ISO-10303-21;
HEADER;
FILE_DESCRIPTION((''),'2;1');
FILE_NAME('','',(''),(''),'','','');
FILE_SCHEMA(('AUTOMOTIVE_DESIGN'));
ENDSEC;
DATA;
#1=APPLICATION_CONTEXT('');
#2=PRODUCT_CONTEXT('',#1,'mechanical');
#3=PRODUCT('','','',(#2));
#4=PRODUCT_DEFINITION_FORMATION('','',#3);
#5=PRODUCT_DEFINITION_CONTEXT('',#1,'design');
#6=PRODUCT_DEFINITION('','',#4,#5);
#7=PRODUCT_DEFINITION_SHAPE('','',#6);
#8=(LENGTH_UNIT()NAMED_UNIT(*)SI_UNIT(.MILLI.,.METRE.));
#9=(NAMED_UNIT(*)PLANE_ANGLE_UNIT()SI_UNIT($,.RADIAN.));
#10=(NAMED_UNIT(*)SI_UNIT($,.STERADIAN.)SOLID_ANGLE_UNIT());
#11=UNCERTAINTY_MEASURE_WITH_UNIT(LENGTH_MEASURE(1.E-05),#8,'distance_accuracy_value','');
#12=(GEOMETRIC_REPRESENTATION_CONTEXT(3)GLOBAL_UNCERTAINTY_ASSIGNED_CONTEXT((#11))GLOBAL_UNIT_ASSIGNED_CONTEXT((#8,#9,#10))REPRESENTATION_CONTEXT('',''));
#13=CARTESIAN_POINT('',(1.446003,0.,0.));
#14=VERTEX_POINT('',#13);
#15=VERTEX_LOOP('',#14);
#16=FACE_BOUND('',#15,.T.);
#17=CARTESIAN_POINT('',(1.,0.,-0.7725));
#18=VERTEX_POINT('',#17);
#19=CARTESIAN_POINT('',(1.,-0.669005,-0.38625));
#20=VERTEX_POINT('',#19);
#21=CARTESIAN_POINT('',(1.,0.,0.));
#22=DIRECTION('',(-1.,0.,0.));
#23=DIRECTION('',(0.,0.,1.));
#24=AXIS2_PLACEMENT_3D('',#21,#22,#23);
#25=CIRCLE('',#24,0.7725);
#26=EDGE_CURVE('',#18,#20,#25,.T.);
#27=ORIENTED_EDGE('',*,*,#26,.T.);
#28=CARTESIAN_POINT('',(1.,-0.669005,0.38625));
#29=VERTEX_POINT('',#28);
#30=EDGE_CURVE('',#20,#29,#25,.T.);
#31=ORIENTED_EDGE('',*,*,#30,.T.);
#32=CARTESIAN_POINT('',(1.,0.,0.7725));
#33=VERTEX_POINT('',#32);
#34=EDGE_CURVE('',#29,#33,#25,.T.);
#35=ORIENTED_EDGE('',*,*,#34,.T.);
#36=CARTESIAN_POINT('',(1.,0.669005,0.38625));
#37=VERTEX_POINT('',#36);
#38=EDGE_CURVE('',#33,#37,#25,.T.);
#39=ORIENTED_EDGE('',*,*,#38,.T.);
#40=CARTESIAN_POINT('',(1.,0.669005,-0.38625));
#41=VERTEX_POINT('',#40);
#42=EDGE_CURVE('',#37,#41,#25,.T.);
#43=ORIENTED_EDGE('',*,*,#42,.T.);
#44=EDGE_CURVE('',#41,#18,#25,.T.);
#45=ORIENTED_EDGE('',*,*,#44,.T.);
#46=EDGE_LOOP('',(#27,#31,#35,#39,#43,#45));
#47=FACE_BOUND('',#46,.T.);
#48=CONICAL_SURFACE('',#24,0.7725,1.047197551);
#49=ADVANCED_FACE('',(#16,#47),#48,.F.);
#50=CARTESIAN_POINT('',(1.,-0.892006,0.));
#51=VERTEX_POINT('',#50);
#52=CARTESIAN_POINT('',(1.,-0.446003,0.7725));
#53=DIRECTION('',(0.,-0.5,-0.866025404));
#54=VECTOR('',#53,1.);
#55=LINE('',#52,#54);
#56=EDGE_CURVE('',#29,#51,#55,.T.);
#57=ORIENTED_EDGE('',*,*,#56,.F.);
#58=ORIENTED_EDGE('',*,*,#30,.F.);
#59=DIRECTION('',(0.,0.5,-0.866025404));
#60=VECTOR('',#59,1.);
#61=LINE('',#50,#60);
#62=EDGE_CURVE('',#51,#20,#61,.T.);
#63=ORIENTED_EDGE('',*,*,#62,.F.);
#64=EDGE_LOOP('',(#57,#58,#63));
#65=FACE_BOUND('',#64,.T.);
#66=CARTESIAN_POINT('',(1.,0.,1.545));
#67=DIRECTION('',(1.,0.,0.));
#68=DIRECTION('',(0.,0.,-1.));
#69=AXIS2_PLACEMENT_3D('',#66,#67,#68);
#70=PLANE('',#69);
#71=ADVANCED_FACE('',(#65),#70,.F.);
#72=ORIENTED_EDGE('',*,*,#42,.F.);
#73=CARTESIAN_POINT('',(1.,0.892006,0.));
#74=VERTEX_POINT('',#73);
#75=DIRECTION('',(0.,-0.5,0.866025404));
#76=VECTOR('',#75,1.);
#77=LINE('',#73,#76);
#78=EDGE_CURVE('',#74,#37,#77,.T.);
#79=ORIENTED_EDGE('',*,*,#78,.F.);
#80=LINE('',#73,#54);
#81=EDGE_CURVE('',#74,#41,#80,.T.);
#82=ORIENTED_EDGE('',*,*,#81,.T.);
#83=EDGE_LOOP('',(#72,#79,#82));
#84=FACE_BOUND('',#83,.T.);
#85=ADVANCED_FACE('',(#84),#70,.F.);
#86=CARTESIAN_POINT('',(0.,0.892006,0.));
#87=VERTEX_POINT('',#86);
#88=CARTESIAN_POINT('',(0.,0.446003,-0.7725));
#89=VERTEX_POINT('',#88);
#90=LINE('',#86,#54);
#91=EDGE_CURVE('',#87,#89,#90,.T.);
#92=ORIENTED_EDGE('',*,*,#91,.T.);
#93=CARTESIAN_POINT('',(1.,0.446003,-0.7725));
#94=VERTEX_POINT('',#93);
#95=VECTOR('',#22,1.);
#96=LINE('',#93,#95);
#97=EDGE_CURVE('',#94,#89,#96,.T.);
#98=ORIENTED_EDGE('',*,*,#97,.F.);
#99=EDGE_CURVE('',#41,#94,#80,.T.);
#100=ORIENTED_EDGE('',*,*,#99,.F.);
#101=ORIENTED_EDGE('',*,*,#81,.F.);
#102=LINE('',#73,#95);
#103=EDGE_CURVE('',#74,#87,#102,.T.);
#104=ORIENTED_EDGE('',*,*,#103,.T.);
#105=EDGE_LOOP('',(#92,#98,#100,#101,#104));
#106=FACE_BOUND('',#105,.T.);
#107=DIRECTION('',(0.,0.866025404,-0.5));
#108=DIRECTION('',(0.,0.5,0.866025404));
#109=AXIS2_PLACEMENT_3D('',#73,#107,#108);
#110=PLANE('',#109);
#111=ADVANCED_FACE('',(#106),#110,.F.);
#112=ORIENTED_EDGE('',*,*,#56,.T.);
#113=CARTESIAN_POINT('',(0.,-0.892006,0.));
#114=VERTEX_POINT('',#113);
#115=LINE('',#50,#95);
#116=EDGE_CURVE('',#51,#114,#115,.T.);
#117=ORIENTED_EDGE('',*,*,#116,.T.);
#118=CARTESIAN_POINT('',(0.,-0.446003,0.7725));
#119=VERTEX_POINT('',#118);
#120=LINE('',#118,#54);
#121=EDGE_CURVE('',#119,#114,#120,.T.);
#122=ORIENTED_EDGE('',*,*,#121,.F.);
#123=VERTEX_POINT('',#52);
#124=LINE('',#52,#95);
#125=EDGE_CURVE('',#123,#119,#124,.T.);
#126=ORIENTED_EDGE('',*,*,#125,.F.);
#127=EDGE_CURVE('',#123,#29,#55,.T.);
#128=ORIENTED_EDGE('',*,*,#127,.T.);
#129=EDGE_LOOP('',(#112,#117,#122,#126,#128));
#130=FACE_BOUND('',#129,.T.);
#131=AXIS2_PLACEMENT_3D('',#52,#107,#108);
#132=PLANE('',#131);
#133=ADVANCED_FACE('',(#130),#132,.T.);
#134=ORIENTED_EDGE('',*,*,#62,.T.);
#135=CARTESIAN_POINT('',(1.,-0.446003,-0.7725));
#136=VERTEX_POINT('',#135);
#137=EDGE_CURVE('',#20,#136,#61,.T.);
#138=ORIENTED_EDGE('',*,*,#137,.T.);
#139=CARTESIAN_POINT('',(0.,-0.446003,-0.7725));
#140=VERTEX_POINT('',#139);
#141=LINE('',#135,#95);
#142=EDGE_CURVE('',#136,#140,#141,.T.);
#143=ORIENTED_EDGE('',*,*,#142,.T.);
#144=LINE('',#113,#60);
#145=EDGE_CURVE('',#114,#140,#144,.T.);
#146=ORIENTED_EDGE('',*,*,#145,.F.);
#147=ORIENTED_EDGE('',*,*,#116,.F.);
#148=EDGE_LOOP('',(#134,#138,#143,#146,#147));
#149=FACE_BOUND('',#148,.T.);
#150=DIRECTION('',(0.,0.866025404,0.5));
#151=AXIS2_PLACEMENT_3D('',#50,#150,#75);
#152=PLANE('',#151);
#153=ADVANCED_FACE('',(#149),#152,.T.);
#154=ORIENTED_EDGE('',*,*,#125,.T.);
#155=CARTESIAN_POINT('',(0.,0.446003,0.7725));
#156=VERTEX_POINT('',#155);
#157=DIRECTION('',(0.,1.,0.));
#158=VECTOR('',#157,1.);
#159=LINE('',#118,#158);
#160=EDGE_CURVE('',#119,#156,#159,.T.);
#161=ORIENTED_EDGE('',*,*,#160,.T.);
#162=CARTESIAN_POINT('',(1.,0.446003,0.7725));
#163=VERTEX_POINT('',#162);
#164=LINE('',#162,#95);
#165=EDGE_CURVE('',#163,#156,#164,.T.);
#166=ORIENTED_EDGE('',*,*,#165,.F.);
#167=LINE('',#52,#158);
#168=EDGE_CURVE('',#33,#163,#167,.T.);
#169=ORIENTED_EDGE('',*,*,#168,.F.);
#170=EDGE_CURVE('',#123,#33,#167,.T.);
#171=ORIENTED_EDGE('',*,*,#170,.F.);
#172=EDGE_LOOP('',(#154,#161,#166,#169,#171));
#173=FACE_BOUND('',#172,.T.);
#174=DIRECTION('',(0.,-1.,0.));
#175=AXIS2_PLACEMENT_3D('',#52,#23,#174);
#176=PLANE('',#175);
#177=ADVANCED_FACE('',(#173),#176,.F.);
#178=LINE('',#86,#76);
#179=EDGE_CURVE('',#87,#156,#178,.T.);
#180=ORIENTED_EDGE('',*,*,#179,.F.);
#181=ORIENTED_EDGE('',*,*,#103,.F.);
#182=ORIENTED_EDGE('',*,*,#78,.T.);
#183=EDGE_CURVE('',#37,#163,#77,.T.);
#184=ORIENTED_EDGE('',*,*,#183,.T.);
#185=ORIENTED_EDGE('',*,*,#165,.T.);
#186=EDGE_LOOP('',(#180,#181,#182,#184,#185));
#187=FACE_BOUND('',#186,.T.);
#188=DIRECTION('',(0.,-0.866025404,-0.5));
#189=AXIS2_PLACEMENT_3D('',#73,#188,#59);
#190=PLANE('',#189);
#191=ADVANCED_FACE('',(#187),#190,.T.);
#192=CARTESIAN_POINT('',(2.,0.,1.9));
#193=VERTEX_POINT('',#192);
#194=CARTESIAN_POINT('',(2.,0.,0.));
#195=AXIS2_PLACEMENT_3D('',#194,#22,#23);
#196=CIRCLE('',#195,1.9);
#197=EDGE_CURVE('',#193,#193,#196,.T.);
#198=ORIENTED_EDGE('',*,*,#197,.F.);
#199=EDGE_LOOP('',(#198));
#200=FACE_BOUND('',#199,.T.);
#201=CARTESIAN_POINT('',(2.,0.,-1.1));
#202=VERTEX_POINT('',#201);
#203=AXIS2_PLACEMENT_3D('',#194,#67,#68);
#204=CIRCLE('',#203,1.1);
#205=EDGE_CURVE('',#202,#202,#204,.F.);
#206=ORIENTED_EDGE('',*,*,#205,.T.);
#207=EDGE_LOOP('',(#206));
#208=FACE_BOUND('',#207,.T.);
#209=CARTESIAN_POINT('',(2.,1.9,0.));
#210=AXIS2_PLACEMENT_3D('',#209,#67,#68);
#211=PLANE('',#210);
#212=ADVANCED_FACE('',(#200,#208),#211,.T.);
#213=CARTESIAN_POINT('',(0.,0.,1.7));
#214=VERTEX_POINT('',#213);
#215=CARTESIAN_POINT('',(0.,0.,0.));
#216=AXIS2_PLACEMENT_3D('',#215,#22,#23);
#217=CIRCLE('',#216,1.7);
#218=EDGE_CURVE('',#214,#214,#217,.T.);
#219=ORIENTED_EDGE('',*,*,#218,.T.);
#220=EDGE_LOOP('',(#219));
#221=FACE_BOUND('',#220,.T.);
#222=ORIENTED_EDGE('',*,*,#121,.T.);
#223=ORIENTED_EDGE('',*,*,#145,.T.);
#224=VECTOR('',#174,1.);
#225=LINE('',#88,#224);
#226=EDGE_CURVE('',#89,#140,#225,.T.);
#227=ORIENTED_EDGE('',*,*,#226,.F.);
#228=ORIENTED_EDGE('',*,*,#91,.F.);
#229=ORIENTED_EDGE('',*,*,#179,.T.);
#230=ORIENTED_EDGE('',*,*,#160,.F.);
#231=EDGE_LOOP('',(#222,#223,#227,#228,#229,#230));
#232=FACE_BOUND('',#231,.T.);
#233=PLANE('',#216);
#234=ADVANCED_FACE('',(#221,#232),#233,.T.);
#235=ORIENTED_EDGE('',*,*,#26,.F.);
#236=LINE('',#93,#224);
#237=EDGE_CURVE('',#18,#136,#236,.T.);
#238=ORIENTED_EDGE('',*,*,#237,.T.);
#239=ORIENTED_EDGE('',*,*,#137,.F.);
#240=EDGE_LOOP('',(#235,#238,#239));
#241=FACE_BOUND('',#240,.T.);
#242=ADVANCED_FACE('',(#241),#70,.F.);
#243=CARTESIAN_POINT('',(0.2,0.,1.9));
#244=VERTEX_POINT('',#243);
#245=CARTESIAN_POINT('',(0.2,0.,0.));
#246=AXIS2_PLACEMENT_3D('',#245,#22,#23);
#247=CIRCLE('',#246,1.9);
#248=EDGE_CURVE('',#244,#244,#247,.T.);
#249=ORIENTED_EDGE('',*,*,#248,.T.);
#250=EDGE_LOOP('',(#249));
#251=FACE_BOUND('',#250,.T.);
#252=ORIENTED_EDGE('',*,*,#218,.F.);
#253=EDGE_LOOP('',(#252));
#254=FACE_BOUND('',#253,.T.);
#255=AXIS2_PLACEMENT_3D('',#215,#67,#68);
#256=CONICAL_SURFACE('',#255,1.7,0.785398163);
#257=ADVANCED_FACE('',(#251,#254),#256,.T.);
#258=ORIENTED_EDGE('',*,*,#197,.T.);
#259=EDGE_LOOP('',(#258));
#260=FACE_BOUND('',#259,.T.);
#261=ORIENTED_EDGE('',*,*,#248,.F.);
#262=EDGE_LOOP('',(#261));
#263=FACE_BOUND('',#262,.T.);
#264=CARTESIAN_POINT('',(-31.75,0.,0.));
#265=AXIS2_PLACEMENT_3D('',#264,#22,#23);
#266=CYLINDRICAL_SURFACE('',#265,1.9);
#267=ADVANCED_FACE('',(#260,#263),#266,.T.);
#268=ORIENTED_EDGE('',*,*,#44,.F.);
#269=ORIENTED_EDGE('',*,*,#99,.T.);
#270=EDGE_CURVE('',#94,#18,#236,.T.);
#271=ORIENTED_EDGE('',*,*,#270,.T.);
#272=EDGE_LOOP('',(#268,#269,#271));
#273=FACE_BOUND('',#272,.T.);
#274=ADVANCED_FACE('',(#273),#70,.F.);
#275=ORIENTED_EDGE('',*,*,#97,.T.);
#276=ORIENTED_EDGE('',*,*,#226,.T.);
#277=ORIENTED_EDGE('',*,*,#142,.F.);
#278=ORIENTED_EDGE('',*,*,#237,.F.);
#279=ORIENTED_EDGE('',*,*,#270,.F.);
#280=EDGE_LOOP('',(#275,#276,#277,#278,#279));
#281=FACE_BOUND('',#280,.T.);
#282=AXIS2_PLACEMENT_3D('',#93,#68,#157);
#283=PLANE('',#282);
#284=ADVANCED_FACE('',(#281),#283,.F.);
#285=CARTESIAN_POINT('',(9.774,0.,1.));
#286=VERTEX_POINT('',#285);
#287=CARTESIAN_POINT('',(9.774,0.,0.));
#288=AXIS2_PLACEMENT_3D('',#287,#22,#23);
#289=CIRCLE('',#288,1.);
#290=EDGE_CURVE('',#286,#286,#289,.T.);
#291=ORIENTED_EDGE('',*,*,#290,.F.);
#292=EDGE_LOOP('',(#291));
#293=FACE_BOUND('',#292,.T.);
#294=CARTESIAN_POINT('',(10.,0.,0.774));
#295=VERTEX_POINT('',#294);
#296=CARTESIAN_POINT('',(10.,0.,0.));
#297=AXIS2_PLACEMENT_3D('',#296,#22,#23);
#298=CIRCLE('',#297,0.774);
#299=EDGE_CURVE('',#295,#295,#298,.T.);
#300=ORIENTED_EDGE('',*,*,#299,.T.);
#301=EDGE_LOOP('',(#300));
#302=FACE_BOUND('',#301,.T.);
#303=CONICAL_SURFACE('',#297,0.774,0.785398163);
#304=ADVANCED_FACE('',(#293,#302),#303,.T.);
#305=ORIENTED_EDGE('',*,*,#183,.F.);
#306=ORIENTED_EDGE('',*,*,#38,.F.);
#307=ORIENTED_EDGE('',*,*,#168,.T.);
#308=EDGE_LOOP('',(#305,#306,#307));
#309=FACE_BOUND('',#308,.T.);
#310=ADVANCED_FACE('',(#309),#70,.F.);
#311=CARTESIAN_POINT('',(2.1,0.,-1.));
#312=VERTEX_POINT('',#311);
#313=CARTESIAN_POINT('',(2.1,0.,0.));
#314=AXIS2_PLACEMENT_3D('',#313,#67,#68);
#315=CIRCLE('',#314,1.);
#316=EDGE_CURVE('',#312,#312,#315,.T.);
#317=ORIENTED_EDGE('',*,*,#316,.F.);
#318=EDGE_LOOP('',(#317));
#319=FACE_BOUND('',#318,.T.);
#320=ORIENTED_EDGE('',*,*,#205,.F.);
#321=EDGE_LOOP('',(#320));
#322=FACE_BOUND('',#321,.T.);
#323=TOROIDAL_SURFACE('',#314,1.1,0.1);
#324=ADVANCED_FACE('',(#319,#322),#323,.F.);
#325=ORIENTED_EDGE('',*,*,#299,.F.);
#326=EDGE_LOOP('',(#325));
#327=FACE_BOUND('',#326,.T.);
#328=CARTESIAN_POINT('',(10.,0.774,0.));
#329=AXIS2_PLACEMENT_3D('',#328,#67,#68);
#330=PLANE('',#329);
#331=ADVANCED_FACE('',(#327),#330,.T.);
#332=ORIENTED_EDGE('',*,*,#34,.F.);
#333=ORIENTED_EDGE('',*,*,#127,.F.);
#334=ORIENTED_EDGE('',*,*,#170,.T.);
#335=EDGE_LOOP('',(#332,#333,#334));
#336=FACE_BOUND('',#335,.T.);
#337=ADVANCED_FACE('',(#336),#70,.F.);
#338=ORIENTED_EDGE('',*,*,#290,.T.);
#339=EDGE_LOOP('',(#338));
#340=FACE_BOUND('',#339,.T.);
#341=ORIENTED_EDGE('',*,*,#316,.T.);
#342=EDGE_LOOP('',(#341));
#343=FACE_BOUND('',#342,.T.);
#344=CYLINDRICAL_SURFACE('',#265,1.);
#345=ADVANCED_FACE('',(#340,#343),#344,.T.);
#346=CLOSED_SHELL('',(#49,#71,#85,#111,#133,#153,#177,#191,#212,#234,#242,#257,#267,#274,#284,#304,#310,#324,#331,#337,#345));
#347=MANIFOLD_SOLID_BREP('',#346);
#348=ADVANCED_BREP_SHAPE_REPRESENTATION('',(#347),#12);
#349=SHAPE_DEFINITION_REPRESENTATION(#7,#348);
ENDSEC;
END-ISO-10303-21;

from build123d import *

# Parameters (mm, degrees)
FILLET1_R   = 0.1
HEX_2_DEPTH = 1


with BuildPart() as part:
    # BodySke → Base-Revolve (revolve)
    with BuildSketch(Plane.XY, mode=Mode.PRIVATE) as base_revolve_sk:
        Polygon((0, 0), (0, 1.7), (0.2, 1.9), (2, 1.9), (2, 1), (9.774, 1), (10, 0.774), (10, 0), align=None)
    revolve(base_revolve_sk.sketch.rotate(Axis((-31.75, 0, 0), (1, 0, 0)), 90), axis=Axis((-31.75, 0, 0), (1, 0, 0)))

    # Fillet1
    fillet1_edges = [part.edges().sort_by_distance(p)[0] for p in [
        (2, 0, -1),
    ]]
    fillet(fillet1_edges, radius=FILLET1_R)

    # Sketch2 → Hex-PreBroach (revolve, cut)
    with BuildSketch(Plane.XY, mode=Mode.PRIVATE) as hex_prebroach_sk:
        Polygon((0, 0.7725), (1, 0.7725), (1.446003083, 0), (0, 0), align=None)
    revolve(hex_prebroach_sk.sketch.rotate(Axis((0, 0, 0), (1, 0, 0)), 90), axis=Axis((0, 0, 0), (1, 0, 0)), mode=Mode.SUBTRACT)

    # Sketch3 → Hex 2 (cut)
    with BuildSketch(Plane(origin=(0, 0, 0), x_dir=(0, 0.500000000000001, 0.866025403784438), z_dir=(-1, 0, 0))):
        Polygon((0.446003083, 0.7725), (-0.446003083, 0.7725), (-0.892006166, 0), (-0.446003083, -0.7725), (0.446003083, -0.7725), (0.892006166, 0), align=None)
    extrude(amount=-HEX_2_DEPTH, mode=Mode.SUBTRACT)


solid = part.part
